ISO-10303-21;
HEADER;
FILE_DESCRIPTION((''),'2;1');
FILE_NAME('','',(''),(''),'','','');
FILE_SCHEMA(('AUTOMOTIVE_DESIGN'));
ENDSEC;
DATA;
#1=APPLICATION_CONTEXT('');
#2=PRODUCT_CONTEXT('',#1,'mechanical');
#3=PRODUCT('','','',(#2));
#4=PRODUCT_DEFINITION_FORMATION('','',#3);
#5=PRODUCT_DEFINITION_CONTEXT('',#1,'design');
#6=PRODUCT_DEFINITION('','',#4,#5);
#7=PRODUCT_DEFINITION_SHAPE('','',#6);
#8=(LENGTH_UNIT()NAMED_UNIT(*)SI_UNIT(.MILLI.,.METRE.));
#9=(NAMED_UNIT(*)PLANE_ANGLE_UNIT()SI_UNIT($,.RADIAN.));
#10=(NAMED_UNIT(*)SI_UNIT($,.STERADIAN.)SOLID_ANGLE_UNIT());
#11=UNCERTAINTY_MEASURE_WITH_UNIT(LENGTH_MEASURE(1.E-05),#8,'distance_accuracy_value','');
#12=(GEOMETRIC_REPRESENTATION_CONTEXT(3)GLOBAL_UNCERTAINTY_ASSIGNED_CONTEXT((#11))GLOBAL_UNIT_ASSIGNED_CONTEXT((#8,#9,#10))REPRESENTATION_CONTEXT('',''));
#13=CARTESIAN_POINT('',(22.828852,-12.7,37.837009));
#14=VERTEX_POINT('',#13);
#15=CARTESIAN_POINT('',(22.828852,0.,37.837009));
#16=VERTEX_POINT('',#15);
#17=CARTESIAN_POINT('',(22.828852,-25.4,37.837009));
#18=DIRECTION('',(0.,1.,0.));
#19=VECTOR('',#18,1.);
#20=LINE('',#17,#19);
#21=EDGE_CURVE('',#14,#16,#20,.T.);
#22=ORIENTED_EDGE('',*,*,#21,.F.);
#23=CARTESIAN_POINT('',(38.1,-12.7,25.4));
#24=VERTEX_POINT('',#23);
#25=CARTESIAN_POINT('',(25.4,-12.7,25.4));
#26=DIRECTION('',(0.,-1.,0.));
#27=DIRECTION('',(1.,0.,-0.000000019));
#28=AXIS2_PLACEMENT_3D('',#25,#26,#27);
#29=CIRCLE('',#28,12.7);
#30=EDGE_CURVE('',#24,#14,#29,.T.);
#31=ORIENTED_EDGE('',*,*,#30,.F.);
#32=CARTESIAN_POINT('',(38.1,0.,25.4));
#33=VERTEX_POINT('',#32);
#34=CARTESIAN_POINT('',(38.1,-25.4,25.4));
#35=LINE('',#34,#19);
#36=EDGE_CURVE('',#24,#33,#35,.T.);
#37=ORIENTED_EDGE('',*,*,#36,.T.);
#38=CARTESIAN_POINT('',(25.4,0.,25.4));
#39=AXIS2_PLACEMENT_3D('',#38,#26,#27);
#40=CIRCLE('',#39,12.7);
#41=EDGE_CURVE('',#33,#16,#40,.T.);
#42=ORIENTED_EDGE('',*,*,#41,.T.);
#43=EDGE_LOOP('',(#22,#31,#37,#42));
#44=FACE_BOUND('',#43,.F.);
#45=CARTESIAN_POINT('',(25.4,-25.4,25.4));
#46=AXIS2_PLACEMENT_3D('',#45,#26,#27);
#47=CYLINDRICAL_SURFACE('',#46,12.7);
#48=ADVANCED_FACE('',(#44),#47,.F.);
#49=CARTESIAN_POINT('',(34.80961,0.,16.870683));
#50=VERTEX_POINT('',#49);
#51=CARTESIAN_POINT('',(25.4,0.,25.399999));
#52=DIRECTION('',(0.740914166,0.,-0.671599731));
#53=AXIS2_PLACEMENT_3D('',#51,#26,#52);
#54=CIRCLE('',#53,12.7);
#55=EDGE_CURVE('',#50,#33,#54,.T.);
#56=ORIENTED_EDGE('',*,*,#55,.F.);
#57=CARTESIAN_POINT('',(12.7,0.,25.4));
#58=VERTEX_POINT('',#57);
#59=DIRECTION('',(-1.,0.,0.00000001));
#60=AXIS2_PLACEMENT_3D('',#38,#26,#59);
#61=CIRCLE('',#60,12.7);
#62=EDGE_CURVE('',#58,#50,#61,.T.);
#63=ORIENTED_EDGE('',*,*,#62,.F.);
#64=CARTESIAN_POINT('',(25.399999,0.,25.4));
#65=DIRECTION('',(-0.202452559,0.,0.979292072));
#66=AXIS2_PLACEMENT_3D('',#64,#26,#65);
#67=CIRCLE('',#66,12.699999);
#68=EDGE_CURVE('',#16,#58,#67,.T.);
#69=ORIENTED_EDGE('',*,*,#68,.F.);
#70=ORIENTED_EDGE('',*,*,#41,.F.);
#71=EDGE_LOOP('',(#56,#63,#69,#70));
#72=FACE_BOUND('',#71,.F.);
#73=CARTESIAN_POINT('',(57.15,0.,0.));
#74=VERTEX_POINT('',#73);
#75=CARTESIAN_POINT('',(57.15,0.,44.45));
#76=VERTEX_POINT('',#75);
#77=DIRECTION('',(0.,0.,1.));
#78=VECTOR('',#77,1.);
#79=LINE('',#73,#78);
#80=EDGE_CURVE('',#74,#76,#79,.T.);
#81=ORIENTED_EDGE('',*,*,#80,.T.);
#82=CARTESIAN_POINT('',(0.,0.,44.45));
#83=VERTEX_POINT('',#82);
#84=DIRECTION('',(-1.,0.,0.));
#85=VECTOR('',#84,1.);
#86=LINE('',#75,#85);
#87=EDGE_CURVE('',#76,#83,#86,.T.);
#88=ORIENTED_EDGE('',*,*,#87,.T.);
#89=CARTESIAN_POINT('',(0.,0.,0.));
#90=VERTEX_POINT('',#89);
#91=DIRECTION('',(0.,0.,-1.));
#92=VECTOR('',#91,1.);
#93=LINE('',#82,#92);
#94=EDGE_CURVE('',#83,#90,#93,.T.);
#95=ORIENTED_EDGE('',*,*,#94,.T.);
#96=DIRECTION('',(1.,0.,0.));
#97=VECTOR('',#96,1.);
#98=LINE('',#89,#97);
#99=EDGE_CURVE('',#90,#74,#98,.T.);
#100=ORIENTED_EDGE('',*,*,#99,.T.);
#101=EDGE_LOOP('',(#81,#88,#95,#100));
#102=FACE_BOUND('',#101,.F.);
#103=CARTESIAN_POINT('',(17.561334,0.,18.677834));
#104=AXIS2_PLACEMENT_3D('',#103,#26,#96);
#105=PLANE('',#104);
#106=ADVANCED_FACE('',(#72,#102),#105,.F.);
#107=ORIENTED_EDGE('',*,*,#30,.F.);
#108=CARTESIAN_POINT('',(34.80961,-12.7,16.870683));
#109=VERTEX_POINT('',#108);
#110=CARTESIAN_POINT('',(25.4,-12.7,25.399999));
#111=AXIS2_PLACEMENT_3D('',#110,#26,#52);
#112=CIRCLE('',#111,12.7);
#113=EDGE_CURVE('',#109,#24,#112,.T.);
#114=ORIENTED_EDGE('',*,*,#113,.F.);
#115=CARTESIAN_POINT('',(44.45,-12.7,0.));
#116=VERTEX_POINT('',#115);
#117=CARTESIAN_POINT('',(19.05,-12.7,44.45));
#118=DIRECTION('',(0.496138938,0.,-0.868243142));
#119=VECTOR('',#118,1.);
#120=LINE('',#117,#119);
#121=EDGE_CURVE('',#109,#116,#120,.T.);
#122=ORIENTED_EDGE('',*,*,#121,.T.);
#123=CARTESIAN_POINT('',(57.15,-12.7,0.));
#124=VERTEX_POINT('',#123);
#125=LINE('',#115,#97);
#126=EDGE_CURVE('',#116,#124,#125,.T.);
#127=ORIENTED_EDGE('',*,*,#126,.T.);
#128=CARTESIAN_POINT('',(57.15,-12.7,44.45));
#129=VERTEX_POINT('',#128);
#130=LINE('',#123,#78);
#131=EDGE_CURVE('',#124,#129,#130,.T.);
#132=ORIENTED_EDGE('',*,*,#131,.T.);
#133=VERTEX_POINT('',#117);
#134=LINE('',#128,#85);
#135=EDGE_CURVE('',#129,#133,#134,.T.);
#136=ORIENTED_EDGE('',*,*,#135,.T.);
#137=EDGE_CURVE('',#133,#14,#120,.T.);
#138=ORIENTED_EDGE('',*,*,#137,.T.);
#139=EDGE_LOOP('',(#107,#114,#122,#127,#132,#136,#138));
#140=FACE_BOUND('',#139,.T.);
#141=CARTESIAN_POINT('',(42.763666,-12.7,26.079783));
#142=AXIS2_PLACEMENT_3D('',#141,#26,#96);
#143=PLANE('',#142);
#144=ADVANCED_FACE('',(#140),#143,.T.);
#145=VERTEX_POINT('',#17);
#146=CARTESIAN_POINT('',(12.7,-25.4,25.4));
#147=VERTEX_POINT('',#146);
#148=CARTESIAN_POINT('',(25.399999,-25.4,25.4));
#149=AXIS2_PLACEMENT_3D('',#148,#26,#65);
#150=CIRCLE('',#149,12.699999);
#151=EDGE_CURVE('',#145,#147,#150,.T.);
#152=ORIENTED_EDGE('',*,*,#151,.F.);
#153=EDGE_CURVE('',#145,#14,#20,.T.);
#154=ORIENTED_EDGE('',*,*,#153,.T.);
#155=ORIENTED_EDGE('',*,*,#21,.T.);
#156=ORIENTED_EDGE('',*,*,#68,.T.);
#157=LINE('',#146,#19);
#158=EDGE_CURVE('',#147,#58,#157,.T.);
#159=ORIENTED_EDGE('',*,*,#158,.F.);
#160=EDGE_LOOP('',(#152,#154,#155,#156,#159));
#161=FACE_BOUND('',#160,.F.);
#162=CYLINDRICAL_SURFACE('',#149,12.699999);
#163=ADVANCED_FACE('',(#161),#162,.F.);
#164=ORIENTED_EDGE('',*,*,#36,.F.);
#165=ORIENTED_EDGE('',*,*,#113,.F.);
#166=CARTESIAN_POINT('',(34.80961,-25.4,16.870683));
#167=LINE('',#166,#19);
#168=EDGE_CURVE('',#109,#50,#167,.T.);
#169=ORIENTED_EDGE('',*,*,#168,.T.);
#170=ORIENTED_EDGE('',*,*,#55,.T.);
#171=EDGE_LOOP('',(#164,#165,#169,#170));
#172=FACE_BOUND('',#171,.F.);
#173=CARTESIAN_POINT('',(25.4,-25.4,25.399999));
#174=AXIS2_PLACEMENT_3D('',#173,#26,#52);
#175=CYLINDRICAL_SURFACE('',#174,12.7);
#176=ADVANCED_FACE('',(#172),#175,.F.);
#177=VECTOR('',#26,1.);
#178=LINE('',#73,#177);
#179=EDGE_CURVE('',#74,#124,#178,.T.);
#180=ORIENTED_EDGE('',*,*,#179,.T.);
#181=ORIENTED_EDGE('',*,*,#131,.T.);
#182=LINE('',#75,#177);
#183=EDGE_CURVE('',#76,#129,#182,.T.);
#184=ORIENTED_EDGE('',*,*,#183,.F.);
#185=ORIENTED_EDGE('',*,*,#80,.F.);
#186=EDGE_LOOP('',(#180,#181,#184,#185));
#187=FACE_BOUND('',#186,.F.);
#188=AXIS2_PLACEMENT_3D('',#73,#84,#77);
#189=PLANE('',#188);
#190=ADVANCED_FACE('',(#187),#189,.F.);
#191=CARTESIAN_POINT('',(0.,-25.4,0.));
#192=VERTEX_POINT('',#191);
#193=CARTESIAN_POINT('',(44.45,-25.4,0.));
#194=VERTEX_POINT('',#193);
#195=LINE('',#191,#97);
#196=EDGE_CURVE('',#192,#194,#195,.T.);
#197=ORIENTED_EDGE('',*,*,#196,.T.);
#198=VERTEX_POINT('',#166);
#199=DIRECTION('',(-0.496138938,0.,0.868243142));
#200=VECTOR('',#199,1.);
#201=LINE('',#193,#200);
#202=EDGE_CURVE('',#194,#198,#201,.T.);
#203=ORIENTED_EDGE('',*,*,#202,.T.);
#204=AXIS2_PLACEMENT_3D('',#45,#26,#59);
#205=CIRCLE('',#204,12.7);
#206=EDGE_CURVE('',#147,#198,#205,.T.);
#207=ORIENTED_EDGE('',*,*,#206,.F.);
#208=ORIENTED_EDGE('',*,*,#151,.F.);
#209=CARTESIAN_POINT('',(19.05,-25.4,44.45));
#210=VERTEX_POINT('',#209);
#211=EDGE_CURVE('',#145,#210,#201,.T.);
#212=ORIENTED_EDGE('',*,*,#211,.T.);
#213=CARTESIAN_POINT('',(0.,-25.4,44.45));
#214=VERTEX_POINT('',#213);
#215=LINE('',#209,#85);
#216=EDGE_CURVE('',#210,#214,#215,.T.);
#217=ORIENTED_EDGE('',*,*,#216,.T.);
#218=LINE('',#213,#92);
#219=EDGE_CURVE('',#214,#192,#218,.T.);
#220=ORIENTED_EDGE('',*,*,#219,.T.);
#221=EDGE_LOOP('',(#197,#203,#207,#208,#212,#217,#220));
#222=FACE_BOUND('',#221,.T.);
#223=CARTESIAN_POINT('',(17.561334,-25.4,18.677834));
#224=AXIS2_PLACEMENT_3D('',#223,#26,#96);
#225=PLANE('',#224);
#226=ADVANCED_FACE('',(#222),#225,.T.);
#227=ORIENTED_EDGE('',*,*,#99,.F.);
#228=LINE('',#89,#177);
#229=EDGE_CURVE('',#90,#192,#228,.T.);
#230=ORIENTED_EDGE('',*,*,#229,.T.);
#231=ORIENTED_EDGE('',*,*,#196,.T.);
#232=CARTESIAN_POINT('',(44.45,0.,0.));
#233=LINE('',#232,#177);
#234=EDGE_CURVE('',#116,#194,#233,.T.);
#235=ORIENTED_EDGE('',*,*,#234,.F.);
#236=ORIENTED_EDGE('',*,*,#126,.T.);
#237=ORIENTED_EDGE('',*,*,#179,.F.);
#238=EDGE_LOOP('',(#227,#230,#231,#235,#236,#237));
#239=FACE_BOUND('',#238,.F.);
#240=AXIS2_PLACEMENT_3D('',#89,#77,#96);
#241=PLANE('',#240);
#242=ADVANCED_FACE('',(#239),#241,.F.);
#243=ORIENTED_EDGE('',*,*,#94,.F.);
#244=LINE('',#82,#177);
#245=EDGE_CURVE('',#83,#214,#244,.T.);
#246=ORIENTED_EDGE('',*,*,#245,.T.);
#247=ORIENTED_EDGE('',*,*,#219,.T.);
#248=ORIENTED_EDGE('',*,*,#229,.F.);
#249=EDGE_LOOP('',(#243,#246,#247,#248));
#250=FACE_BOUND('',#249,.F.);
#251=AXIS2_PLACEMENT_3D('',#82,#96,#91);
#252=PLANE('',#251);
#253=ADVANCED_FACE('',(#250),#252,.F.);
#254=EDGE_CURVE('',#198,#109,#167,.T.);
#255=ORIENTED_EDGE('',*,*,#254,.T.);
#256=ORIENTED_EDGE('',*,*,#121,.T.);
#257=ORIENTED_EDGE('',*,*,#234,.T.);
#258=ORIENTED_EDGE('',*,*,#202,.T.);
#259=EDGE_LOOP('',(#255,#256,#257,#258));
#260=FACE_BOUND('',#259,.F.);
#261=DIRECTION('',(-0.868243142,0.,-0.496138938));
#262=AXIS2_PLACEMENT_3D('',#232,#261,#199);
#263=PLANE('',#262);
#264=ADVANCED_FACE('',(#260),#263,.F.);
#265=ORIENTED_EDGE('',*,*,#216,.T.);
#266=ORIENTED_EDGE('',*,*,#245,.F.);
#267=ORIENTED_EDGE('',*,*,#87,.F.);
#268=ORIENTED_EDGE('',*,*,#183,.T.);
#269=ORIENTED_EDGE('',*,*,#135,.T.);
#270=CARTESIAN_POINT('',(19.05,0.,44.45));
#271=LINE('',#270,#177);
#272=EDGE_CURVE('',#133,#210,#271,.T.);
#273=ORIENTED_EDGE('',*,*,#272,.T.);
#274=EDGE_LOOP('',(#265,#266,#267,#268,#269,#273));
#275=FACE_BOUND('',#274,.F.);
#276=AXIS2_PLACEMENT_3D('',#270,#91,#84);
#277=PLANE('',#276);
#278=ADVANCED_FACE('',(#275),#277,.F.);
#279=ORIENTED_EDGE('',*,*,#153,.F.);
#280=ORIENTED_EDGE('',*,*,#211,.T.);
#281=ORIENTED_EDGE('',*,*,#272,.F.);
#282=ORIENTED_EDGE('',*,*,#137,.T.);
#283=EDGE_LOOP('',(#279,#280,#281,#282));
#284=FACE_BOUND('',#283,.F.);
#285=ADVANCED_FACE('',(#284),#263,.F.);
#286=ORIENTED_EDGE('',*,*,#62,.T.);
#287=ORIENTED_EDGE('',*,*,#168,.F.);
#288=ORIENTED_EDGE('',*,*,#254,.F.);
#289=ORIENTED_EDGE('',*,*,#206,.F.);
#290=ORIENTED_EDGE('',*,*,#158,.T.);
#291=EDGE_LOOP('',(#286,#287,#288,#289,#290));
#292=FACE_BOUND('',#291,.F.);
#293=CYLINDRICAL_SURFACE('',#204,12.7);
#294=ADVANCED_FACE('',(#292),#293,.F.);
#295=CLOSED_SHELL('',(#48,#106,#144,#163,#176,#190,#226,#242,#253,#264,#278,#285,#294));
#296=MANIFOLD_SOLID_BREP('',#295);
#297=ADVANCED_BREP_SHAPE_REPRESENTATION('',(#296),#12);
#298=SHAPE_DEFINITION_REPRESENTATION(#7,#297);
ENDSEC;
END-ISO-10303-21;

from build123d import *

# Parameters (mm, degrees)
F1_DEPTH = 12.7
F2_DEPTH = 25.4
F4_DEPTH = 50.8


with BuildPart() as f1:
    # F0 (on Front) → F1 (new body)
    with BuildSketch(Plane.XZ):
        Polygon((19.05, 44.45), (44.45, 0), (57.15, 0), (57.15, 44.45), align=None)
    extrude(amount=F1_DEPTH)

    # F0 (on Front) → F2 (join)
    with BuildSketch(Plane.XZ):
        Polygon((0, 44.45), (0, 0), (44.45, 0), (19.05, 44.45), align=None)
    extrude(amount=F2_DEPTH)

    # F3 (on face) → F4 (cut)
    with BuildSketch(Plane.XZ.offset(25.4)):
        with BuildLine():
            Line((22.828852, 37.837009), (34.80961, 16.870683))
            ThreePointArc((34.80961, 16.870683), (37.248883, 20.829007), (38.1, 25.4))
            ThreePointArc((38.1, 25.4), (33.419863, 35.247426), (22.828852, 37.837009))
        make_face()
        with BuildLine():
            ThreePointArc((22.828852, 37.837009), (15.552574, 33.419863), (12.7, 25.4))
            ThreePointArc((12.7, 25.4), (20.829007, 13.551117), (34.80961, 16.870683))
            Line((34.80961, 16.870683), (22.828852, 37.837009))
        make_face()
    extrude(amount=-F4_DEPTH, mode=Mode.SUBTRACT)


solid = f1.part
